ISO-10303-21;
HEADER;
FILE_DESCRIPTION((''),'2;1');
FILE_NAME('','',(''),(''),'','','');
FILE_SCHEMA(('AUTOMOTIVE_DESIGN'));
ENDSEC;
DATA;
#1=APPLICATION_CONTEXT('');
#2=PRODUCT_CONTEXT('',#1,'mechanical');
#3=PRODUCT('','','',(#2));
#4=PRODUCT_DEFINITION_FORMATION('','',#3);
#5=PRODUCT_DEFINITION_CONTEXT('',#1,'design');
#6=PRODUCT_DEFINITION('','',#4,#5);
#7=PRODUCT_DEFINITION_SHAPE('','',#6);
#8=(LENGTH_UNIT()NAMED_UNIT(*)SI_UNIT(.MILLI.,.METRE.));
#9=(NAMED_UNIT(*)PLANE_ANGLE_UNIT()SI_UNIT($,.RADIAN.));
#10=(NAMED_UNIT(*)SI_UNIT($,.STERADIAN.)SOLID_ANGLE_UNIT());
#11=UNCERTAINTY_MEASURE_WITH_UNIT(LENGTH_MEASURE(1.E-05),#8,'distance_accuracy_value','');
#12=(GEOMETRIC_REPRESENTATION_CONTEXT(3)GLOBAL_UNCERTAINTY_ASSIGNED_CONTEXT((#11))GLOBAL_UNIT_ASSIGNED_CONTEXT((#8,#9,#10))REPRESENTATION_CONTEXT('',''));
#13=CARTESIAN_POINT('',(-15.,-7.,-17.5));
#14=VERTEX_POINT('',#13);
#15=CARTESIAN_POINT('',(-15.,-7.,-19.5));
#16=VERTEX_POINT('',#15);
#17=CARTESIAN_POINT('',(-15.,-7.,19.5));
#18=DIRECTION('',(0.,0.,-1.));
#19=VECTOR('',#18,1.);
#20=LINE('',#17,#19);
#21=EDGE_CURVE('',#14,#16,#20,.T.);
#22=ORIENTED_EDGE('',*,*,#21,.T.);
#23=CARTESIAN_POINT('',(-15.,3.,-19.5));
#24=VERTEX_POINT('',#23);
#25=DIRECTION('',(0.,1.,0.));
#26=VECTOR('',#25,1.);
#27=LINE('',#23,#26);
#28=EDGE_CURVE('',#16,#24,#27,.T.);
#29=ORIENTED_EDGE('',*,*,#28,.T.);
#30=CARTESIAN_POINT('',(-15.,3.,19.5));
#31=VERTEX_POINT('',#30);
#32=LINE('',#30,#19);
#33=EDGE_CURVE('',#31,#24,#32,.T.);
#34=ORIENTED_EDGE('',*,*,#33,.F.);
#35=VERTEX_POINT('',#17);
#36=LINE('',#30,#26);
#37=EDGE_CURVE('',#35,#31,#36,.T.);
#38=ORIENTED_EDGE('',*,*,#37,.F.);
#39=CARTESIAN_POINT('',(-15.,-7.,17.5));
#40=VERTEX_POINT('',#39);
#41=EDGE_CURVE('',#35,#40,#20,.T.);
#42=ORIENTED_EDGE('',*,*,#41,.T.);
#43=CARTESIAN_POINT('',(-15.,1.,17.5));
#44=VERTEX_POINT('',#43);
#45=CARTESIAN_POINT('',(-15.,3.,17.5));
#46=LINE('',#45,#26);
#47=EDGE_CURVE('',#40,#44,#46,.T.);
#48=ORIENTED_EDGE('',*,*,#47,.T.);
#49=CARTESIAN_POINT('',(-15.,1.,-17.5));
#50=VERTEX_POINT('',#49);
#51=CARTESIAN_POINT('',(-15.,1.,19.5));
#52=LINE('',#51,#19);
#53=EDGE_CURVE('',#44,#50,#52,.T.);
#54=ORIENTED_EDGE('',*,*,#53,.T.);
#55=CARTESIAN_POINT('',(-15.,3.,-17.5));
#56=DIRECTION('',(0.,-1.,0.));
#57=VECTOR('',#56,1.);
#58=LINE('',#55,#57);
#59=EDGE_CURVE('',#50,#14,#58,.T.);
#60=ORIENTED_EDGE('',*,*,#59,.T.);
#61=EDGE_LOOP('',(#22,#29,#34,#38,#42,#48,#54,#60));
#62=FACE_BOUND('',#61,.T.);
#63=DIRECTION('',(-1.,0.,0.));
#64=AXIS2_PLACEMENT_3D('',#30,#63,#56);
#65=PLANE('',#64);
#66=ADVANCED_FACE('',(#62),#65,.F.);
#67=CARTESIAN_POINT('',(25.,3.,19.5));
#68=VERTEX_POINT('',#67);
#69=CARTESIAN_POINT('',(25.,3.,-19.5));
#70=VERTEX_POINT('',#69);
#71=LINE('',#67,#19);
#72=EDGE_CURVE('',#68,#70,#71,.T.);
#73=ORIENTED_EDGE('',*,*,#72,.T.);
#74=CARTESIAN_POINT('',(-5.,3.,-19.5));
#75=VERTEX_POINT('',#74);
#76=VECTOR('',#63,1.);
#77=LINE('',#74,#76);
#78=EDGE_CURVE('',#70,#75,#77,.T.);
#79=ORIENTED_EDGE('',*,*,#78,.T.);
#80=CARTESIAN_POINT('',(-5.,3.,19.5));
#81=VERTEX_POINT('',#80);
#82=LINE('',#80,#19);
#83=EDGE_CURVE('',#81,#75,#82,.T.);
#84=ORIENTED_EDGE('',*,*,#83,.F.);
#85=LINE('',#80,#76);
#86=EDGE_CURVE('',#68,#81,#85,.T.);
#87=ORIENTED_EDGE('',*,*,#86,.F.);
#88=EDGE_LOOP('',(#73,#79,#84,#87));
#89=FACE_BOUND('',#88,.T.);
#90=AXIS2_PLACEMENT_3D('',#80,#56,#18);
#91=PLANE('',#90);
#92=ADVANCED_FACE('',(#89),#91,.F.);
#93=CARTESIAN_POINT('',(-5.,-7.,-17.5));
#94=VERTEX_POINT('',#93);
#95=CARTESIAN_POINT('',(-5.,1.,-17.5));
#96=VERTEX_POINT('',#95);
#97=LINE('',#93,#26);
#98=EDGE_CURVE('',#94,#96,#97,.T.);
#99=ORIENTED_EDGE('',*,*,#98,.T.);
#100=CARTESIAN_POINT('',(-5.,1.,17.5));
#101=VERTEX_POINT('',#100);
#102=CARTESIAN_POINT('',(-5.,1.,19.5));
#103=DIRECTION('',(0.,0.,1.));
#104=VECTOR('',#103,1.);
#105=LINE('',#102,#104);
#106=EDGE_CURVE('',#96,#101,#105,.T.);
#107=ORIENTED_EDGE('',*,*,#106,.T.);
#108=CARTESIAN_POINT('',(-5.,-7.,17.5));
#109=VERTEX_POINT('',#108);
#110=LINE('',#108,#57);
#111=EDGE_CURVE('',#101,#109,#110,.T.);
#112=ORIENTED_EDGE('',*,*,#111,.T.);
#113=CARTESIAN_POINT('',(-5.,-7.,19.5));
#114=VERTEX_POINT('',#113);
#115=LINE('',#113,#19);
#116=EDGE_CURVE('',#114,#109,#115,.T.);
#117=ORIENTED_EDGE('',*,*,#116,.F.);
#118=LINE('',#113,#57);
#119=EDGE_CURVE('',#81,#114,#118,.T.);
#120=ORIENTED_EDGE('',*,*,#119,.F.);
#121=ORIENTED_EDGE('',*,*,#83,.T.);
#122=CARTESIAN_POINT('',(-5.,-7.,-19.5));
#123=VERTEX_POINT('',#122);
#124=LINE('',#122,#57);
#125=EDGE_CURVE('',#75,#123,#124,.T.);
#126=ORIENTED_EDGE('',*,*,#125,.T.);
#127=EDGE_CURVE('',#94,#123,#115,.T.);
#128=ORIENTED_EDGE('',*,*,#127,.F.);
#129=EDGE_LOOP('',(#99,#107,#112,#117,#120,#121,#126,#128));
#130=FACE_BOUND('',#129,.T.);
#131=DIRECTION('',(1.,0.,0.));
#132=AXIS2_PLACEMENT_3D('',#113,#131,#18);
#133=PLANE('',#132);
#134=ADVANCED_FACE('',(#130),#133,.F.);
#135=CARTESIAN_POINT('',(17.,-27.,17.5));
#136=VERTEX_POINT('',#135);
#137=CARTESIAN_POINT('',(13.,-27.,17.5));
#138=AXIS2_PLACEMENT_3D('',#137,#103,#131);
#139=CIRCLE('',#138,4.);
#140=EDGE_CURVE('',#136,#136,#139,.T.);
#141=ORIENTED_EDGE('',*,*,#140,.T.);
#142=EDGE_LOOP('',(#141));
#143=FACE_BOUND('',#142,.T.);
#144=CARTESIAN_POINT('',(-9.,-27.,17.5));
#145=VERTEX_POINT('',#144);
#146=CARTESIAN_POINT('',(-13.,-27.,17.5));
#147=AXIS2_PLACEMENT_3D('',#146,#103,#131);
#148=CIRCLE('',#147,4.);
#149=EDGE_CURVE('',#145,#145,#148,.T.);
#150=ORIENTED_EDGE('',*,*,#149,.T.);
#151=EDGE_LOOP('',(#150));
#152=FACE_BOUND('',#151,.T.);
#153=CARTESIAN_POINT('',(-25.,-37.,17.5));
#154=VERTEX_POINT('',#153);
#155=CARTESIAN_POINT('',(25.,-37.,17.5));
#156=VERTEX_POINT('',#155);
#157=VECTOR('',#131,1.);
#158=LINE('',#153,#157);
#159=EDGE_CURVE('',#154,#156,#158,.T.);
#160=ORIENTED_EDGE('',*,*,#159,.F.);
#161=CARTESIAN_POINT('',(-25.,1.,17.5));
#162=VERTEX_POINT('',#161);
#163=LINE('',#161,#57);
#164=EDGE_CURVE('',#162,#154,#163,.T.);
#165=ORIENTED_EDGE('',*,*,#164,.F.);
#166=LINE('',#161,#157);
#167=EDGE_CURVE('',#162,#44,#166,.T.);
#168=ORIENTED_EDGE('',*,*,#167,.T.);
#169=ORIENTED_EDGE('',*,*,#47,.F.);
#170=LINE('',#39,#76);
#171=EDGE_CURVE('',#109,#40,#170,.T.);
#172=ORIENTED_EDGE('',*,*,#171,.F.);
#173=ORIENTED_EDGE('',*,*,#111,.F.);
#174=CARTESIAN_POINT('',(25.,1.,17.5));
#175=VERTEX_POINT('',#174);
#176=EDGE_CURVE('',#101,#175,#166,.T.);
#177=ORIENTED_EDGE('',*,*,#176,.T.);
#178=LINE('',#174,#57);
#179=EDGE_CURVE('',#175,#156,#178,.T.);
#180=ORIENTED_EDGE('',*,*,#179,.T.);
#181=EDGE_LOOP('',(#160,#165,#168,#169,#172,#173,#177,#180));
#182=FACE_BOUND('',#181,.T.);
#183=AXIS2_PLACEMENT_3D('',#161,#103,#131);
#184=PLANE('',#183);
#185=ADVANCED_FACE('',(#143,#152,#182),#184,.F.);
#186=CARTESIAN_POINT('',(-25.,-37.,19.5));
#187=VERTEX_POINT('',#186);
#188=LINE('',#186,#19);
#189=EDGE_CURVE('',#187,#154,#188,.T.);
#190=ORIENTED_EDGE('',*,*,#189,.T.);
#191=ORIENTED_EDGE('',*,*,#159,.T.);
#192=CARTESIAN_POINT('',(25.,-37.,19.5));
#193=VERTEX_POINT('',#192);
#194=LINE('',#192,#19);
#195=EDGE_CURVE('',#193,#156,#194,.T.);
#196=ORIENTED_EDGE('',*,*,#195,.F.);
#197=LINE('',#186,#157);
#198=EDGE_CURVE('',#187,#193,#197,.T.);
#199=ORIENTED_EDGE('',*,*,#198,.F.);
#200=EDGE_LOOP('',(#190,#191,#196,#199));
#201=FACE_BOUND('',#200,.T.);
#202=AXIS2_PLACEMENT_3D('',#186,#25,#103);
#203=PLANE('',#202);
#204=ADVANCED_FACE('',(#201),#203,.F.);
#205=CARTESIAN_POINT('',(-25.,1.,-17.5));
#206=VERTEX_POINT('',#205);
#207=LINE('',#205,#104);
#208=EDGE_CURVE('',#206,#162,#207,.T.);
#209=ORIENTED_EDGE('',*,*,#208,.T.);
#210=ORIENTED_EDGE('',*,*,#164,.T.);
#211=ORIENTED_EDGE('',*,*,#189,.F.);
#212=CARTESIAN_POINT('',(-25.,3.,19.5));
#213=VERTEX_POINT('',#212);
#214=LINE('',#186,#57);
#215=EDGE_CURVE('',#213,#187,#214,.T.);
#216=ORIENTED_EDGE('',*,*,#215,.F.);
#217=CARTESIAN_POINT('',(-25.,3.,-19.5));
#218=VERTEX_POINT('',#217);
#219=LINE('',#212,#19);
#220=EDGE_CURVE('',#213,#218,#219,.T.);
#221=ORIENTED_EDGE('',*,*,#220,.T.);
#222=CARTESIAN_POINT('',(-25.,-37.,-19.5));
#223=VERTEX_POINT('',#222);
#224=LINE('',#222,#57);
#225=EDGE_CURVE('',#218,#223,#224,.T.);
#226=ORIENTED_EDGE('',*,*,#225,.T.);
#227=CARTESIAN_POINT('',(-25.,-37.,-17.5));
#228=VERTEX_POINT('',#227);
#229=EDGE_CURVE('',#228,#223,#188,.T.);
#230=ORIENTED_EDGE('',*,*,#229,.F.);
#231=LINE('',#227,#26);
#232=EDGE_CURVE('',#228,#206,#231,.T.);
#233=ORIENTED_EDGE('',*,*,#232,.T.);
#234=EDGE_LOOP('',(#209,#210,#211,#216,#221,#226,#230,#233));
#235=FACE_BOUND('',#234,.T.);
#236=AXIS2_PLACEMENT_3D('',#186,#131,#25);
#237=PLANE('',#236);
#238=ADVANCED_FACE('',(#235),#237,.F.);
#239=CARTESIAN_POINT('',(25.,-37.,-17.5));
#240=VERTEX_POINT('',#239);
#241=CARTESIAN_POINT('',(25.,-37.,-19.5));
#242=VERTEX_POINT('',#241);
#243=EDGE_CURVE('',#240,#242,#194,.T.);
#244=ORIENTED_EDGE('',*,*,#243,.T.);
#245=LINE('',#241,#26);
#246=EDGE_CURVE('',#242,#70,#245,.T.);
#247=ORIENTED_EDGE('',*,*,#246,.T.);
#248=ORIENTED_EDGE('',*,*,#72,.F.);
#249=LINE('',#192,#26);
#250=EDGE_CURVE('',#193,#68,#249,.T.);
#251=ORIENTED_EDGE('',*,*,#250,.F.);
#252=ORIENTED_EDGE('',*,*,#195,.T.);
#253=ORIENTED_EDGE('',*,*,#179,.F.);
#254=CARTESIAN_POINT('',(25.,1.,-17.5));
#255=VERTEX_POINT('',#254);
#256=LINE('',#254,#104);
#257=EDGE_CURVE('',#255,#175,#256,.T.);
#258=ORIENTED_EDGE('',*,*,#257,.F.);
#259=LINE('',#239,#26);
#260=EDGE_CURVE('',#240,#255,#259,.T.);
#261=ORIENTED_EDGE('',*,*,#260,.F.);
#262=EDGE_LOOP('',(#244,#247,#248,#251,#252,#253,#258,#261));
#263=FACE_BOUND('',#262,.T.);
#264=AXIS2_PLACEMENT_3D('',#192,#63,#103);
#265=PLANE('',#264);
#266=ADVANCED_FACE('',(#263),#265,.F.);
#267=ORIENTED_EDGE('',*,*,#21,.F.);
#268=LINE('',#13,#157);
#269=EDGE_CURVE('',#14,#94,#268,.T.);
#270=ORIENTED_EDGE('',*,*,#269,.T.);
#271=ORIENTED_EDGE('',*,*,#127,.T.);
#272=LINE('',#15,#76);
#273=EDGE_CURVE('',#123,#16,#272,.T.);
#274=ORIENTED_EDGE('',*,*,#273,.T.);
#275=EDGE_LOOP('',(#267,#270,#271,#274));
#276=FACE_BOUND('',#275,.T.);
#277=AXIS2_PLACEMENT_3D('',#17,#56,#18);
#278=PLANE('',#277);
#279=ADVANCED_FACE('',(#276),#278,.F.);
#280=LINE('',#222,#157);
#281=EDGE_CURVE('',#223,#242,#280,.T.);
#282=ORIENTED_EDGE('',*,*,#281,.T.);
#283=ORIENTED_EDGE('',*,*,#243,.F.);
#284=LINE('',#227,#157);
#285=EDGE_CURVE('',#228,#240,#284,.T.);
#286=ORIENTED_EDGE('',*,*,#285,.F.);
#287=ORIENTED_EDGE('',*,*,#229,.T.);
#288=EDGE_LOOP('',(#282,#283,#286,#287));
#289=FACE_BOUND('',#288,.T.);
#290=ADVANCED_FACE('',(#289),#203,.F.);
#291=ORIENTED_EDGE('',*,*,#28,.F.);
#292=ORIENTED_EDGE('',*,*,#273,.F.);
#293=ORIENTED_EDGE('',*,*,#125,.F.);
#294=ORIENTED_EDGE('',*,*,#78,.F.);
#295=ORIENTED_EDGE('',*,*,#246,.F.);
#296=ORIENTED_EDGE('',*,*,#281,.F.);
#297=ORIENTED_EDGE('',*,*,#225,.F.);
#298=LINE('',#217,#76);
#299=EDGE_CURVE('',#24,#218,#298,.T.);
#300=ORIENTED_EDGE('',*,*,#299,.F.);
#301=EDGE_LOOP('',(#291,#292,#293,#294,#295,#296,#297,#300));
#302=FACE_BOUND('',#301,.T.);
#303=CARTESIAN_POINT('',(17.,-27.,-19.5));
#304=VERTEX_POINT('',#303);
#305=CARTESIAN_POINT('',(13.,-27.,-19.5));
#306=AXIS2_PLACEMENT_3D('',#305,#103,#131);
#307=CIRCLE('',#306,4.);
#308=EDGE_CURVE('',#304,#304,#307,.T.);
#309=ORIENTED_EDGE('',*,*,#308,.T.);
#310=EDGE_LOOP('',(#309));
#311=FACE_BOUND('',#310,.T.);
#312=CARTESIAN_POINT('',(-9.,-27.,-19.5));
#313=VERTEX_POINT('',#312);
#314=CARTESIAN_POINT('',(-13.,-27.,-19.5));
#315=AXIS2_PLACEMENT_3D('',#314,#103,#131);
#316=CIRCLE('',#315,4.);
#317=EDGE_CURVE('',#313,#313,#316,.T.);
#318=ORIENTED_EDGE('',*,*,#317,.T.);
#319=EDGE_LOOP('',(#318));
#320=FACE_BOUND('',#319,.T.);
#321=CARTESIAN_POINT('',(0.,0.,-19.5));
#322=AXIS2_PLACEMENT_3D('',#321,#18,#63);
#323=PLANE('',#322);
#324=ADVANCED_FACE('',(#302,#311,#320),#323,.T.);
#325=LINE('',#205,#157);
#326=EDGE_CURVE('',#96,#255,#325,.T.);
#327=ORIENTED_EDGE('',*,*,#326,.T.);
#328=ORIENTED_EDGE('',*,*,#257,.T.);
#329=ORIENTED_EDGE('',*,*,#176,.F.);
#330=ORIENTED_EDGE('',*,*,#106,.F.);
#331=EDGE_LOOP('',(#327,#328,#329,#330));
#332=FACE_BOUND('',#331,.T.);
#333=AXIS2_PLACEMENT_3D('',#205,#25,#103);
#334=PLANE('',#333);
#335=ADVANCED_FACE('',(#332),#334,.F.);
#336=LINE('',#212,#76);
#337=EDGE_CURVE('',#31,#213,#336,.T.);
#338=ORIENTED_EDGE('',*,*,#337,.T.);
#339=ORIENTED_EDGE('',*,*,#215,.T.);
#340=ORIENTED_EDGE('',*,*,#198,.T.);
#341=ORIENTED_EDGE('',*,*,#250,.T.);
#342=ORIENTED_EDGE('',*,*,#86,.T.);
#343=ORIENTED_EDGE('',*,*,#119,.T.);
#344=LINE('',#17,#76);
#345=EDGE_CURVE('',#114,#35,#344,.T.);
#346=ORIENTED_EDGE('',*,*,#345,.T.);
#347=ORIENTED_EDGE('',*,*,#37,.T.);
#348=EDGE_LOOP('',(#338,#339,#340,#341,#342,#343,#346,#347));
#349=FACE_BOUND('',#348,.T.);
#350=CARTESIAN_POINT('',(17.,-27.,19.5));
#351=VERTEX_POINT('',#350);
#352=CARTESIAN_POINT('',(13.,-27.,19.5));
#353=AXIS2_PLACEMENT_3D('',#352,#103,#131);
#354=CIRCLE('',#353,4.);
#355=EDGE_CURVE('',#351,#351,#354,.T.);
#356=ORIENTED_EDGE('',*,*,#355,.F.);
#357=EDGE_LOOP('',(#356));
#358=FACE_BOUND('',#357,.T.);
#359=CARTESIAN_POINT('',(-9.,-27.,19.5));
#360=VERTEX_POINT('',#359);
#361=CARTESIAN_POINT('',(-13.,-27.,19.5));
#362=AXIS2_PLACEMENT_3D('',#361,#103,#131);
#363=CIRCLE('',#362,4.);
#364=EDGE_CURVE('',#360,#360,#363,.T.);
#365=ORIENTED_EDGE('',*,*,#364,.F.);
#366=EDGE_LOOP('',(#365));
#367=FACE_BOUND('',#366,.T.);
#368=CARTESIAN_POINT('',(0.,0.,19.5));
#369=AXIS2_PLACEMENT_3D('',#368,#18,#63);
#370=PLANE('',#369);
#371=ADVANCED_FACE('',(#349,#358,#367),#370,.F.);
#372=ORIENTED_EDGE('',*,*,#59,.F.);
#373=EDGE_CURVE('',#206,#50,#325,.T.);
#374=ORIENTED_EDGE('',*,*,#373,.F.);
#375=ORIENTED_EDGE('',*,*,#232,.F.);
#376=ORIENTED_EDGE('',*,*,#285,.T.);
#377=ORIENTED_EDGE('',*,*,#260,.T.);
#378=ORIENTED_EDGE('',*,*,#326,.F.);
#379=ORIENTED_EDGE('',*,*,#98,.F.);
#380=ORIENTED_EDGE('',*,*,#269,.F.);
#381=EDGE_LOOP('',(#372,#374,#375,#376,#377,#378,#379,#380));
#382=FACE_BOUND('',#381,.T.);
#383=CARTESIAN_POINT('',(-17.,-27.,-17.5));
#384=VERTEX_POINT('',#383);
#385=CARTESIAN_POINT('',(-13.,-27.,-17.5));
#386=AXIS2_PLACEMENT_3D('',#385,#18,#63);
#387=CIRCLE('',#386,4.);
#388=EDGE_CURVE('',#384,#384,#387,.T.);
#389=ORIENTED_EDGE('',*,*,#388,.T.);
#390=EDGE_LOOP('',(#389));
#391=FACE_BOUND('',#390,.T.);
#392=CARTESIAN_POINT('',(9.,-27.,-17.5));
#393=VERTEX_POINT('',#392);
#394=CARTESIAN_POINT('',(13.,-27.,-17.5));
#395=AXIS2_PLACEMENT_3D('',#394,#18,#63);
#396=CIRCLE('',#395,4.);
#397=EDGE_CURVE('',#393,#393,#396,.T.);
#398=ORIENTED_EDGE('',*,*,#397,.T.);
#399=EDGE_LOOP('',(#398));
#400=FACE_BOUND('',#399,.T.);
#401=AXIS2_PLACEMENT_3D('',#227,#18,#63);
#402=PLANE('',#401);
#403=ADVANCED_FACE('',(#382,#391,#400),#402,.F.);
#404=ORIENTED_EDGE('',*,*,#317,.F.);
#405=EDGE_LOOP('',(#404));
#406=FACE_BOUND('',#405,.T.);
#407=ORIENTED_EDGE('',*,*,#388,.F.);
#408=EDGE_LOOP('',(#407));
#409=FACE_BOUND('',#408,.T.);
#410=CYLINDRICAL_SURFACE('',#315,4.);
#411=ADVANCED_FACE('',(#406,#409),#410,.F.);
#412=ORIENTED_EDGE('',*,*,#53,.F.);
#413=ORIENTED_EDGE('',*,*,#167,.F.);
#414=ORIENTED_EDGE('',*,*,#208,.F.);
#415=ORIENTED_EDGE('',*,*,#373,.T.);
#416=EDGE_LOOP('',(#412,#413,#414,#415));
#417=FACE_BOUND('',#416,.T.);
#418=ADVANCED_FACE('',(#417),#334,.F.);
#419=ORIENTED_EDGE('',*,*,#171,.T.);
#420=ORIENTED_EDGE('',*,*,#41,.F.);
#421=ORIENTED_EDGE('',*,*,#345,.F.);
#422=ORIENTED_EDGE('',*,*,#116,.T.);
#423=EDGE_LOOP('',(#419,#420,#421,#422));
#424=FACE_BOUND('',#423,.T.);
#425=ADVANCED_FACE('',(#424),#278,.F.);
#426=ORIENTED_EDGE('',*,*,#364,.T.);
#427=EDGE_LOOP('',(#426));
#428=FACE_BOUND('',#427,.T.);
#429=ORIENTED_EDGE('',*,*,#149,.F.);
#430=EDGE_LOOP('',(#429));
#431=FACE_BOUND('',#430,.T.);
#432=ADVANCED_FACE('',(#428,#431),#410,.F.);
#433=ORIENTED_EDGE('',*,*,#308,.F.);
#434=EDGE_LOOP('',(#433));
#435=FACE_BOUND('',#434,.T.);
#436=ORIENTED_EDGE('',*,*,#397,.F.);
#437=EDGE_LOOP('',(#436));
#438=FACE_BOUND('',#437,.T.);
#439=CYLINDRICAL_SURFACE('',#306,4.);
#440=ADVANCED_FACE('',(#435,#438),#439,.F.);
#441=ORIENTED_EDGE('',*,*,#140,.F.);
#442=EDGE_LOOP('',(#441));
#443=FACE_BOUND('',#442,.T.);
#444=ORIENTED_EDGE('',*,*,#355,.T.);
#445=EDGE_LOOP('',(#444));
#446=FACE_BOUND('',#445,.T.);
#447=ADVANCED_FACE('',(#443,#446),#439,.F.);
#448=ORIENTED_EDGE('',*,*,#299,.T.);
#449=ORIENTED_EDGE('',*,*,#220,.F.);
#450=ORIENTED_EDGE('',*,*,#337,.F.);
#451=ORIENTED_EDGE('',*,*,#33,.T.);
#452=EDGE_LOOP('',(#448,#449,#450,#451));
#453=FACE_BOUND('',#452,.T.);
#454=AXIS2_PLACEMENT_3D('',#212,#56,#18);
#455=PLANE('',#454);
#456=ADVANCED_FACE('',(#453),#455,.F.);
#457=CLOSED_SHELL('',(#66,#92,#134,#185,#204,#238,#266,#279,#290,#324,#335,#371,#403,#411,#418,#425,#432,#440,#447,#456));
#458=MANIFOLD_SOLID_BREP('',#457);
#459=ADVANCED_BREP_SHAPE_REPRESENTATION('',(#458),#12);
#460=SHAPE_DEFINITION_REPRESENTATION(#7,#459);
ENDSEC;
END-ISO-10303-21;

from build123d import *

# Parameters (mm, degrees)
HEAD_W_DEPTH        = 19.5
HEAD_T_W            = 35
HEAD_T_H            = 38
CUT_EXTRUDE_1_DEPTH = 66.186271561
SKETCH_3_R          = 4
CUT_EXTRUDE_2_DEPTH = 60.287435431


with BuildPart() as part:
    # ｽｹｯﾁ1 → Head-W (new, symmetric)
    with BuildSketch(Plane.XY):
        Polygon((-25, -37), (25, -37), (25, 3), (-5, 3), (-5, -7), (-15, -7), (-15, 3), (-25, 3), align=None)
    extrude(amount=HEAD_W_DEPTH, both=True)

    # Head-t → ｶｯﾄ - 押し出し1 (cut, through all)
    with BuildSketch(Plane(origin=(25, 0, 0), x_dir=(0, 0, -1), z_dir=(1, 0, 0))):
        with Locations((0, -18)):
            Rectangle(HEAD_T_W, HEAD_T_H)
    extrude(amount=-CUT_EXTRUDE_1_DEPTH, mode=Mode.SUBTRACT)

    # ｽｹｯﾁ3 → ｶｯﾄ - 押し出し2 (cut, through all)
    with BuildSketch(Plane.XY.offset(19.5)):
        with Locations((-13, -27)):
            Circle(SKETCH_3_R)
        with Locations((13, -27)):
            Circle(SKETCH_3_R)
    extrude(amount=-CUT_EXTRUDE_2_DEPTH, mode=Mode.SUBTRACT)


solid = part.part
